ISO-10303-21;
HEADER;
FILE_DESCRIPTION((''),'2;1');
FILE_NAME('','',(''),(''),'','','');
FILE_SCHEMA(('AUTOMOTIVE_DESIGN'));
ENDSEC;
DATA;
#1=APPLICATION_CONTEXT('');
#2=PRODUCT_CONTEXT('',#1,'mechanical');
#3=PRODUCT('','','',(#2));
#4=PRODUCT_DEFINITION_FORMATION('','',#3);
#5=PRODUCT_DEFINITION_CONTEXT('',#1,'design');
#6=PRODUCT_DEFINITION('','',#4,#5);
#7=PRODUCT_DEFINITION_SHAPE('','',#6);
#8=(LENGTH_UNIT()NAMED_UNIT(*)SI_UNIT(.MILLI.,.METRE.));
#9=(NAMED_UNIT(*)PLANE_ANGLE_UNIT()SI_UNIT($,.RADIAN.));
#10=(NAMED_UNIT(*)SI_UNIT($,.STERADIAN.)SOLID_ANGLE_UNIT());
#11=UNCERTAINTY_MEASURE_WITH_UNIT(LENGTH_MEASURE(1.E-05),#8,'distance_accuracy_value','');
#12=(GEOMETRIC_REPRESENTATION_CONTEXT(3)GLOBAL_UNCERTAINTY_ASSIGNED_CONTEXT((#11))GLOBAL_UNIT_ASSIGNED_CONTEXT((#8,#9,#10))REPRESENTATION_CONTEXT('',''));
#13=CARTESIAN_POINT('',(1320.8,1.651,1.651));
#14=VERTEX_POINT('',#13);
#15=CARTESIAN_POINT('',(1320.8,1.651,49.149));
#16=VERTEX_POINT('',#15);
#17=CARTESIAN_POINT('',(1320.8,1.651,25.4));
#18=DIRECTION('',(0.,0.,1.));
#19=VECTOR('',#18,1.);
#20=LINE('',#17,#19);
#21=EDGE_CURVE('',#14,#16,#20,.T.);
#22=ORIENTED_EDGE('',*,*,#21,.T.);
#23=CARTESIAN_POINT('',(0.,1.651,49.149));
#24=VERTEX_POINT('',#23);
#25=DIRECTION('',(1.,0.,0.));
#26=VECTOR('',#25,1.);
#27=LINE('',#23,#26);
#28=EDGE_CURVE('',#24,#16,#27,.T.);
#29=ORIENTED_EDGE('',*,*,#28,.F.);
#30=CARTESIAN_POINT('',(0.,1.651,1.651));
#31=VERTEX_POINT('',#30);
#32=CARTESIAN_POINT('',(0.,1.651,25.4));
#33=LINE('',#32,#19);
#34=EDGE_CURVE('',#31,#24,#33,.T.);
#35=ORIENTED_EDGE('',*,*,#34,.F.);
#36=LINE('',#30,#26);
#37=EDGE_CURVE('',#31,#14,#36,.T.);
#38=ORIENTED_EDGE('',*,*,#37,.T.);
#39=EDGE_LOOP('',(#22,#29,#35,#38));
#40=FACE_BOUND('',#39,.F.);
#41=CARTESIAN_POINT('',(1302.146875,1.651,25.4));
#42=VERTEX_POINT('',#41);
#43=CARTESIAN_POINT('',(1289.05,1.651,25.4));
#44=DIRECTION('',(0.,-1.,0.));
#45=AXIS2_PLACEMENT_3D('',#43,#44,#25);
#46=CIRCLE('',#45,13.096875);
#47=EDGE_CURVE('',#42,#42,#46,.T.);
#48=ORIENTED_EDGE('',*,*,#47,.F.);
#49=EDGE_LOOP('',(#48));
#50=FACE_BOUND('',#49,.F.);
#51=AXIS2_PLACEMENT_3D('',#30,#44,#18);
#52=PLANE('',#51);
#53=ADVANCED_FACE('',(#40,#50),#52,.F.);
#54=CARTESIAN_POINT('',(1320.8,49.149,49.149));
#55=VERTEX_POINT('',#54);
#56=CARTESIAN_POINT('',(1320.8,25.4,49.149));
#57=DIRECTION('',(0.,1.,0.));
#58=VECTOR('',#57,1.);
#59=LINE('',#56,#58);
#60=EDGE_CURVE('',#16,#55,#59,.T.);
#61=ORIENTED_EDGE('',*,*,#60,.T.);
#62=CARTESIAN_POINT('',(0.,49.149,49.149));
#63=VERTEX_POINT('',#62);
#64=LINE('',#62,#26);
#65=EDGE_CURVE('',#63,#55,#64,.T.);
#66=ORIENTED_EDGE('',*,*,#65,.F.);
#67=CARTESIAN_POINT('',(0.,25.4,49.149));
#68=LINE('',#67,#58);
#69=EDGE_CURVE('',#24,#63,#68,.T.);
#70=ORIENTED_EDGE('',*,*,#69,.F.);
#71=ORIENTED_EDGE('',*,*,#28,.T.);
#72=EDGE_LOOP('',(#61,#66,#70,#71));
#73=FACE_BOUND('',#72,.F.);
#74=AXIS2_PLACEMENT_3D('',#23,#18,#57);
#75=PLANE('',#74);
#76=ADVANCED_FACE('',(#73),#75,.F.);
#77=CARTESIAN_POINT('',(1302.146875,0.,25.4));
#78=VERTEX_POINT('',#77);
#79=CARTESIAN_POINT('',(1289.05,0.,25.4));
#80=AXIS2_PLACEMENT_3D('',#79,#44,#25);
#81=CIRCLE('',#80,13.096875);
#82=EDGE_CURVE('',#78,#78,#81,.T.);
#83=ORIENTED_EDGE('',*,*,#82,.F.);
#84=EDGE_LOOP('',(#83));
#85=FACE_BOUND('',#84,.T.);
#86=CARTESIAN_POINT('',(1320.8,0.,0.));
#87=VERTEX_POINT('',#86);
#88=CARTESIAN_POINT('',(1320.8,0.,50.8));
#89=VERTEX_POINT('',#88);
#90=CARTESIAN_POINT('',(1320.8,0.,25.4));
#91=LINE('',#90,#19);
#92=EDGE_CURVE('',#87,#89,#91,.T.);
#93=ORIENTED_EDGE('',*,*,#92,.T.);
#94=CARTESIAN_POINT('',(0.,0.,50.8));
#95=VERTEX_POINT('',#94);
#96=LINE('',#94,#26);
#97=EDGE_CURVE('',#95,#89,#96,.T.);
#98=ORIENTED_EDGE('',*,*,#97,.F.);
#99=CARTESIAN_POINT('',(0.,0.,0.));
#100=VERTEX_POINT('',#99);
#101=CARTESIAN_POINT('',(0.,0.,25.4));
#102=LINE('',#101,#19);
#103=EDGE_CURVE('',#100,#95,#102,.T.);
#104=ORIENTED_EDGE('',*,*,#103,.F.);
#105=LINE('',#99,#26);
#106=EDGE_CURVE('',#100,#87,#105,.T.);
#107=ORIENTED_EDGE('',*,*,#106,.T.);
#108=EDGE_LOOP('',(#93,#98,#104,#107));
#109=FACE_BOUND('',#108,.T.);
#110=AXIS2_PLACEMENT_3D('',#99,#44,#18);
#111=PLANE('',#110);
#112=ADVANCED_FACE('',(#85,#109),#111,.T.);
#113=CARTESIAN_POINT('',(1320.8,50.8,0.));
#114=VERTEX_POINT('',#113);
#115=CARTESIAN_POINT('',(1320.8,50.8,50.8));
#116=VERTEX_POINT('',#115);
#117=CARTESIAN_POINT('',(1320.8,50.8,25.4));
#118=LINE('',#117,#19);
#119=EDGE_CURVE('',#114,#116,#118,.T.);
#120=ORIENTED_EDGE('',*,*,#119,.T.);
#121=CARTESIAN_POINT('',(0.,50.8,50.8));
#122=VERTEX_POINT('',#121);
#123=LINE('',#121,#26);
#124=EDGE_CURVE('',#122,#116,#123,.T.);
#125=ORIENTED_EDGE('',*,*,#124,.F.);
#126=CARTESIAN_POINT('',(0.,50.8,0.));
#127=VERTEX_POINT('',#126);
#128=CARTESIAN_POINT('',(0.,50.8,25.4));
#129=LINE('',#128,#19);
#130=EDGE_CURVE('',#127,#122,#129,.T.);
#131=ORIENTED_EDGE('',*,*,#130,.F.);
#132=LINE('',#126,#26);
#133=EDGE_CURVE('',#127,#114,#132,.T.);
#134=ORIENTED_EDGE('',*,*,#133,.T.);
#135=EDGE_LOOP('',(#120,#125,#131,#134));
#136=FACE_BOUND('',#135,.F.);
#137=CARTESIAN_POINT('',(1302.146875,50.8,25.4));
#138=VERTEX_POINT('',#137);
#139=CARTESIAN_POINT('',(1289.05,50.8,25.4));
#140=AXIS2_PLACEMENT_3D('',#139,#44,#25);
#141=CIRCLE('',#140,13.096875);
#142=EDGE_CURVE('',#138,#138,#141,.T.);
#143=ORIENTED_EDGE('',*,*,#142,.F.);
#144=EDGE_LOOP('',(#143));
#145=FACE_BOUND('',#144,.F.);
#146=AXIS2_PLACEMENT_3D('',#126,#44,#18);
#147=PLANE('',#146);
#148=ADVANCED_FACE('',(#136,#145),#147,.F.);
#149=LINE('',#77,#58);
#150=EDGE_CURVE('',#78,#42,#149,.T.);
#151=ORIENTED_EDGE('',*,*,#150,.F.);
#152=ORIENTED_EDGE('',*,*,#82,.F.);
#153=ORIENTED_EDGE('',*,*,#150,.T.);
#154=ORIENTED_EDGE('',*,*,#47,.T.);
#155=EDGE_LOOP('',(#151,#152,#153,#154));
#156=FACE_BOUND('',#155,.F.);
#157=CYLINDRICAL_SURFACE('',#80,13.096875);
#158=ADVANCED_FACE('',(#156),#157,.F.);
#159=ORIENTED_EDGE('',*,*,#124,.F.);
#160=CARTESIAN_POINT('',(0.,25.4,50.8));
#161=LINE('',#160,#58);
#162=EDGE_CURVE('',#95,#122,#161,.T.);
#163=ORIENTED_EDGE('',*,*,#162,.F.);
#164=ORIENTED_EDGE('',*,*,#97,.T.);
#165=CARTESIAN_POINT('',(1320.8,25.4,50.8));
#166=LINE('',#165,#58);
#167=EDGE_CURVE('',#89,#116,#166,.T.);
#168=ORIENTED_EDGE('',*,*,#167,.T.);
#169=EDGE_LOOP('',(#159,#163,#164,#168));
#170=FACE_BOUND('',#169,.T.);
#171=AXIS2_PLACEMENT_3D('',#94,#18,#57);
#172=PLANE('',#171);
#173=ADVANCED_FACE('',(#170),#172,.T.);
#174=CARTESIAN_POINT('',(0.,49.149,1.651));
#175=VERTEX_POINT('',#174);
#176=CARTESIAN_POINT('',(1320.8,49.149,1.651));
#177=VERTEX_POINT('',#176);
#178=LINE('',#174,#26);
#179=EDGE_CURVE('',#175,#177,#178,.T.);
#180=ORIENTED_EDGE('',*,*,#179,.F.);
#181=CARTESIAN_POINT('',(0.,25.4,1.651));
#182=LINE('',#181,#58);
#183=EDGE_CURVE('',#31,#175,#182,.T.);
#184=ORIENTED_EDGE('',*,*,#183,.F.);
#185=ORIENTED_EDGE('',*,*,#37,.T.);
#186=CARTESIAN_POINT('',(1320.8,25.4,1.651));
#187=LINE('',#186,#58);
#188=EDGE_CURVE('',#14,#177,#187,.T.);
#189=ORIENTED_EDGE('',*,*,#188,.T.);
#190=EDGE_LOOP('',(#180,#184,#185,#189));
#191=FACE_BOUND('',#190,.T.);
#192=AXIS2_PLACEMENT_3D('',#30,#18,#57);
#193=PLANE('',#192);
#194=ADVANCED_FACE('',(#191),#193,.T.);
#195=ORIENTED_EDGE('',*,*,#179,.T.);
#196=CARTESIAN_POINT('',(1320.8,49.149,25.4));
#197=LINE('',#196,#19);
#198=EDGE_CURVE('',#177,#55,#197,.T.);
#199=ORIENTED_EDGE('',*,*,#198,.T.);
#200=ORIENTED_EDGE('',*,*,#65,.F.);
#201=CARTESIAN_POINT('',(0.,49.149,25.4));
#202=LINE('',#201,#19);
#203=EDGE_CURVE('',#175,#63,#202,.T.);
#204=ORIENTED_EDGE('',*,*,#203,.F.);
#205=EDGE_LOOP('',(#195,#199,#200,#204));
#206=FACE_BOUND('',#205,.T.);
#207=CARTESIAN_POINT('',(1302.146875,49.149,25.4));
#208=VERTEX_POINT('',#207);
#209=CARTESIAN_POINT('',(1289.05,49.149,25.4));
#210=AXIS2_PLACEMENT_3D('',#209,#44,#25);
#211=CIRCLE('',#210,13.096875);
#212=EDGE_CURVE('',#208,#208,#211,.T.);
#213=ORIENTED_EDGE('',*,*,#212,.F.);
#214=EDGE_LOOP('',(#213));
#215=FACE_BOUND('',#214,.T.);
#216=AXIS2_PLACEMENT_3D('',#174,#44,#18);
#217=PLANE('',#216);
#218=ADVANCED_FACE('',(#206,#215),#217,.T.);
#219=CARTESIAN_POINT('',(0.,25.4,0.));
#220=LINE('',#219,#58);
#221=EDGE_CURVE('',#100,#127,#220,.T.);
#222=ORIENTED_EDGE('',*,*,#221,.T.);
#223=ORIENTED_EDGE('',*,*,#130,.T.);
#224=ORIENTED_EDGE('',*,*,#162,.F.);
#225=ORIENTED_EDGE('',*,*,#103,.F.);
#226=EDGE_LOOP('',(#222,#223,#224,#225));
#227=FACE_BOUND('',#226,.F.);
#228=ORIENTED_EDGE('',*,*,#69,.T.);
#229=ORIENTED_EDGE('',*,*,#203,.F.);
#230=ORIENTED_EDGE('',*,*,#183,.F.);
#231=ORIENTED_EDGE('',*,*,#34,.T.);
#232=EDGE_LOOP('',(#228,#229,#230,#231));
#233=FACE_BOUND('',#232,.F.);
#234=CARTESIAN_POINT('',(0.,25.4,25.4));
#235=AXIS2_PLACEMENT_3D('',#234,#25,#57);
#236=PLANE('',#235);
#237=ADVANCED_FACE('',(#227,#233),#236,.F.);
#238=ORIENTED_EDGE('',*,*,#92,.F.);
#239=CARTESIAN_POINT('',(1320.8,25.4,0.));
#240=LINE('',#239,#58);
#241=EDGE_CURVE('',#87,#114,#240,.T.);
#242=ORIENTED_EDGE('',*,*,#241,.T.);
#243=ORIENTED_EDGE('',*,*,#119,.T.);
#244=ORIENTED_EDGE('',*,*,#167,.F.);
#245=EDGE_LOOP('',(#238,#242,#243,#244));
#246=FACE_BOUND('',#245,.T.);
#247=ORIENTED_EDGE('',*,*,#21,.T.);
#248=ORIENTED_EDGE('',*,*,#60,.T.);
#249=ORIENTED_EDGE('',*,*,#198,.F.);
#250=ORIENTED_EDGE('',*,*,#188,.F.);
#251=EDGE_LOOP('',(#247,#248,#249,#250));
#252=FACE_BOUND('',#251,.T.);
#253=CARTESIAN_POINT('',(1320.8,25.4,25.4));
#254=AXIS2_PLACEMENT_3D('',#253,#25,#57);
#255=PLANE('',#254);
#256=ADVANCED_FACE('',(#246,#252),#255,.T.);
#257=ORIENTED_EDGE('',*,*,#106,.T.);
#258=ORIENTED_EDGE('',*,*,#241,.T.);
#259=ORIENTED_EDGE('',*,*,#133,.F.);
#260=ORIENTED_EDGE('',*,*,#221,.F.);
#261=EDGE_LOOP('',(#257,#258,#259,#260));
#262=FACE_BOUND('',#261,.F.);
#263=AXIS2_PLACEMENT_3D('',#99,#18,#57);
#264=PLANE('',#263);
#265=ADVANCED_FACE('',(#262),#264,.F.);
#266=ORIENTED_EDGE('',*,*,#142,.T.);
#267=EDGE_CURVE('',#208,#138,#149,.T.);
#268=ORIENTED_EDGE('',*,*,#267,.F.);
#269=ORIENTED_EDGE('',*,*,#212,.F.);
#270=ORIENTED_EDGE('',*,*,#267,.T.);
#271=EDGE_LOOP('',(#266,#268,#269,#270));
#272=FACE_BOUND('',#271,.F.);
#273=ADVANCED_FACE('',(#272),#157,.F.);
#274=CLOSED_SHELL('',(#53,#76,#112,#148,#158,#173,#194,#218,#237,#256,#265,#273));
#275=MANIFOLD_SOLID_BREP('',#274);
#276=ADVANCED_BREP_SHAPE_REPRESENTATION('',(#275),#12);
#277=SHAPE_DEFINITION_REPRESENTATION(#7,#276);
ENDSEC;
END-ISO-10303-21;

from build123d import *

# Parameters (mm, degrees)
F0_W     = 50.8
F0_H     = 50.8
F0_W_2   = 47.498
F0_H_2   = 47.498
F1_DEPTH = 1320.8
F2_R     = 13.096875
F3_DEPTH = 50.801


with BuildPart() as f1:
    # F0 (on Right) → F1 (new body)
    with BuildSketch(Plane.YZ):
        with Locations((25.4, 25.4)):
            Rectangle(F0_W, F0_H)
        with Locations((25.4, 25.4)):
            Rectangle(F0_W_2, F0_H_2, mode=Mode.SUBTRACT)
    extrude(amount=F1_DEPTH)

    # F2 (on face) → F3 (cut, through all)
    with BuildSketch(Plane.XZ):
        with Locations((1289.05, 25.4)):
            Circle(F2_R)
    extrude(amount=-F3_DEPTH, mode=Mode.SUBTRACT)


solid = f1.part
